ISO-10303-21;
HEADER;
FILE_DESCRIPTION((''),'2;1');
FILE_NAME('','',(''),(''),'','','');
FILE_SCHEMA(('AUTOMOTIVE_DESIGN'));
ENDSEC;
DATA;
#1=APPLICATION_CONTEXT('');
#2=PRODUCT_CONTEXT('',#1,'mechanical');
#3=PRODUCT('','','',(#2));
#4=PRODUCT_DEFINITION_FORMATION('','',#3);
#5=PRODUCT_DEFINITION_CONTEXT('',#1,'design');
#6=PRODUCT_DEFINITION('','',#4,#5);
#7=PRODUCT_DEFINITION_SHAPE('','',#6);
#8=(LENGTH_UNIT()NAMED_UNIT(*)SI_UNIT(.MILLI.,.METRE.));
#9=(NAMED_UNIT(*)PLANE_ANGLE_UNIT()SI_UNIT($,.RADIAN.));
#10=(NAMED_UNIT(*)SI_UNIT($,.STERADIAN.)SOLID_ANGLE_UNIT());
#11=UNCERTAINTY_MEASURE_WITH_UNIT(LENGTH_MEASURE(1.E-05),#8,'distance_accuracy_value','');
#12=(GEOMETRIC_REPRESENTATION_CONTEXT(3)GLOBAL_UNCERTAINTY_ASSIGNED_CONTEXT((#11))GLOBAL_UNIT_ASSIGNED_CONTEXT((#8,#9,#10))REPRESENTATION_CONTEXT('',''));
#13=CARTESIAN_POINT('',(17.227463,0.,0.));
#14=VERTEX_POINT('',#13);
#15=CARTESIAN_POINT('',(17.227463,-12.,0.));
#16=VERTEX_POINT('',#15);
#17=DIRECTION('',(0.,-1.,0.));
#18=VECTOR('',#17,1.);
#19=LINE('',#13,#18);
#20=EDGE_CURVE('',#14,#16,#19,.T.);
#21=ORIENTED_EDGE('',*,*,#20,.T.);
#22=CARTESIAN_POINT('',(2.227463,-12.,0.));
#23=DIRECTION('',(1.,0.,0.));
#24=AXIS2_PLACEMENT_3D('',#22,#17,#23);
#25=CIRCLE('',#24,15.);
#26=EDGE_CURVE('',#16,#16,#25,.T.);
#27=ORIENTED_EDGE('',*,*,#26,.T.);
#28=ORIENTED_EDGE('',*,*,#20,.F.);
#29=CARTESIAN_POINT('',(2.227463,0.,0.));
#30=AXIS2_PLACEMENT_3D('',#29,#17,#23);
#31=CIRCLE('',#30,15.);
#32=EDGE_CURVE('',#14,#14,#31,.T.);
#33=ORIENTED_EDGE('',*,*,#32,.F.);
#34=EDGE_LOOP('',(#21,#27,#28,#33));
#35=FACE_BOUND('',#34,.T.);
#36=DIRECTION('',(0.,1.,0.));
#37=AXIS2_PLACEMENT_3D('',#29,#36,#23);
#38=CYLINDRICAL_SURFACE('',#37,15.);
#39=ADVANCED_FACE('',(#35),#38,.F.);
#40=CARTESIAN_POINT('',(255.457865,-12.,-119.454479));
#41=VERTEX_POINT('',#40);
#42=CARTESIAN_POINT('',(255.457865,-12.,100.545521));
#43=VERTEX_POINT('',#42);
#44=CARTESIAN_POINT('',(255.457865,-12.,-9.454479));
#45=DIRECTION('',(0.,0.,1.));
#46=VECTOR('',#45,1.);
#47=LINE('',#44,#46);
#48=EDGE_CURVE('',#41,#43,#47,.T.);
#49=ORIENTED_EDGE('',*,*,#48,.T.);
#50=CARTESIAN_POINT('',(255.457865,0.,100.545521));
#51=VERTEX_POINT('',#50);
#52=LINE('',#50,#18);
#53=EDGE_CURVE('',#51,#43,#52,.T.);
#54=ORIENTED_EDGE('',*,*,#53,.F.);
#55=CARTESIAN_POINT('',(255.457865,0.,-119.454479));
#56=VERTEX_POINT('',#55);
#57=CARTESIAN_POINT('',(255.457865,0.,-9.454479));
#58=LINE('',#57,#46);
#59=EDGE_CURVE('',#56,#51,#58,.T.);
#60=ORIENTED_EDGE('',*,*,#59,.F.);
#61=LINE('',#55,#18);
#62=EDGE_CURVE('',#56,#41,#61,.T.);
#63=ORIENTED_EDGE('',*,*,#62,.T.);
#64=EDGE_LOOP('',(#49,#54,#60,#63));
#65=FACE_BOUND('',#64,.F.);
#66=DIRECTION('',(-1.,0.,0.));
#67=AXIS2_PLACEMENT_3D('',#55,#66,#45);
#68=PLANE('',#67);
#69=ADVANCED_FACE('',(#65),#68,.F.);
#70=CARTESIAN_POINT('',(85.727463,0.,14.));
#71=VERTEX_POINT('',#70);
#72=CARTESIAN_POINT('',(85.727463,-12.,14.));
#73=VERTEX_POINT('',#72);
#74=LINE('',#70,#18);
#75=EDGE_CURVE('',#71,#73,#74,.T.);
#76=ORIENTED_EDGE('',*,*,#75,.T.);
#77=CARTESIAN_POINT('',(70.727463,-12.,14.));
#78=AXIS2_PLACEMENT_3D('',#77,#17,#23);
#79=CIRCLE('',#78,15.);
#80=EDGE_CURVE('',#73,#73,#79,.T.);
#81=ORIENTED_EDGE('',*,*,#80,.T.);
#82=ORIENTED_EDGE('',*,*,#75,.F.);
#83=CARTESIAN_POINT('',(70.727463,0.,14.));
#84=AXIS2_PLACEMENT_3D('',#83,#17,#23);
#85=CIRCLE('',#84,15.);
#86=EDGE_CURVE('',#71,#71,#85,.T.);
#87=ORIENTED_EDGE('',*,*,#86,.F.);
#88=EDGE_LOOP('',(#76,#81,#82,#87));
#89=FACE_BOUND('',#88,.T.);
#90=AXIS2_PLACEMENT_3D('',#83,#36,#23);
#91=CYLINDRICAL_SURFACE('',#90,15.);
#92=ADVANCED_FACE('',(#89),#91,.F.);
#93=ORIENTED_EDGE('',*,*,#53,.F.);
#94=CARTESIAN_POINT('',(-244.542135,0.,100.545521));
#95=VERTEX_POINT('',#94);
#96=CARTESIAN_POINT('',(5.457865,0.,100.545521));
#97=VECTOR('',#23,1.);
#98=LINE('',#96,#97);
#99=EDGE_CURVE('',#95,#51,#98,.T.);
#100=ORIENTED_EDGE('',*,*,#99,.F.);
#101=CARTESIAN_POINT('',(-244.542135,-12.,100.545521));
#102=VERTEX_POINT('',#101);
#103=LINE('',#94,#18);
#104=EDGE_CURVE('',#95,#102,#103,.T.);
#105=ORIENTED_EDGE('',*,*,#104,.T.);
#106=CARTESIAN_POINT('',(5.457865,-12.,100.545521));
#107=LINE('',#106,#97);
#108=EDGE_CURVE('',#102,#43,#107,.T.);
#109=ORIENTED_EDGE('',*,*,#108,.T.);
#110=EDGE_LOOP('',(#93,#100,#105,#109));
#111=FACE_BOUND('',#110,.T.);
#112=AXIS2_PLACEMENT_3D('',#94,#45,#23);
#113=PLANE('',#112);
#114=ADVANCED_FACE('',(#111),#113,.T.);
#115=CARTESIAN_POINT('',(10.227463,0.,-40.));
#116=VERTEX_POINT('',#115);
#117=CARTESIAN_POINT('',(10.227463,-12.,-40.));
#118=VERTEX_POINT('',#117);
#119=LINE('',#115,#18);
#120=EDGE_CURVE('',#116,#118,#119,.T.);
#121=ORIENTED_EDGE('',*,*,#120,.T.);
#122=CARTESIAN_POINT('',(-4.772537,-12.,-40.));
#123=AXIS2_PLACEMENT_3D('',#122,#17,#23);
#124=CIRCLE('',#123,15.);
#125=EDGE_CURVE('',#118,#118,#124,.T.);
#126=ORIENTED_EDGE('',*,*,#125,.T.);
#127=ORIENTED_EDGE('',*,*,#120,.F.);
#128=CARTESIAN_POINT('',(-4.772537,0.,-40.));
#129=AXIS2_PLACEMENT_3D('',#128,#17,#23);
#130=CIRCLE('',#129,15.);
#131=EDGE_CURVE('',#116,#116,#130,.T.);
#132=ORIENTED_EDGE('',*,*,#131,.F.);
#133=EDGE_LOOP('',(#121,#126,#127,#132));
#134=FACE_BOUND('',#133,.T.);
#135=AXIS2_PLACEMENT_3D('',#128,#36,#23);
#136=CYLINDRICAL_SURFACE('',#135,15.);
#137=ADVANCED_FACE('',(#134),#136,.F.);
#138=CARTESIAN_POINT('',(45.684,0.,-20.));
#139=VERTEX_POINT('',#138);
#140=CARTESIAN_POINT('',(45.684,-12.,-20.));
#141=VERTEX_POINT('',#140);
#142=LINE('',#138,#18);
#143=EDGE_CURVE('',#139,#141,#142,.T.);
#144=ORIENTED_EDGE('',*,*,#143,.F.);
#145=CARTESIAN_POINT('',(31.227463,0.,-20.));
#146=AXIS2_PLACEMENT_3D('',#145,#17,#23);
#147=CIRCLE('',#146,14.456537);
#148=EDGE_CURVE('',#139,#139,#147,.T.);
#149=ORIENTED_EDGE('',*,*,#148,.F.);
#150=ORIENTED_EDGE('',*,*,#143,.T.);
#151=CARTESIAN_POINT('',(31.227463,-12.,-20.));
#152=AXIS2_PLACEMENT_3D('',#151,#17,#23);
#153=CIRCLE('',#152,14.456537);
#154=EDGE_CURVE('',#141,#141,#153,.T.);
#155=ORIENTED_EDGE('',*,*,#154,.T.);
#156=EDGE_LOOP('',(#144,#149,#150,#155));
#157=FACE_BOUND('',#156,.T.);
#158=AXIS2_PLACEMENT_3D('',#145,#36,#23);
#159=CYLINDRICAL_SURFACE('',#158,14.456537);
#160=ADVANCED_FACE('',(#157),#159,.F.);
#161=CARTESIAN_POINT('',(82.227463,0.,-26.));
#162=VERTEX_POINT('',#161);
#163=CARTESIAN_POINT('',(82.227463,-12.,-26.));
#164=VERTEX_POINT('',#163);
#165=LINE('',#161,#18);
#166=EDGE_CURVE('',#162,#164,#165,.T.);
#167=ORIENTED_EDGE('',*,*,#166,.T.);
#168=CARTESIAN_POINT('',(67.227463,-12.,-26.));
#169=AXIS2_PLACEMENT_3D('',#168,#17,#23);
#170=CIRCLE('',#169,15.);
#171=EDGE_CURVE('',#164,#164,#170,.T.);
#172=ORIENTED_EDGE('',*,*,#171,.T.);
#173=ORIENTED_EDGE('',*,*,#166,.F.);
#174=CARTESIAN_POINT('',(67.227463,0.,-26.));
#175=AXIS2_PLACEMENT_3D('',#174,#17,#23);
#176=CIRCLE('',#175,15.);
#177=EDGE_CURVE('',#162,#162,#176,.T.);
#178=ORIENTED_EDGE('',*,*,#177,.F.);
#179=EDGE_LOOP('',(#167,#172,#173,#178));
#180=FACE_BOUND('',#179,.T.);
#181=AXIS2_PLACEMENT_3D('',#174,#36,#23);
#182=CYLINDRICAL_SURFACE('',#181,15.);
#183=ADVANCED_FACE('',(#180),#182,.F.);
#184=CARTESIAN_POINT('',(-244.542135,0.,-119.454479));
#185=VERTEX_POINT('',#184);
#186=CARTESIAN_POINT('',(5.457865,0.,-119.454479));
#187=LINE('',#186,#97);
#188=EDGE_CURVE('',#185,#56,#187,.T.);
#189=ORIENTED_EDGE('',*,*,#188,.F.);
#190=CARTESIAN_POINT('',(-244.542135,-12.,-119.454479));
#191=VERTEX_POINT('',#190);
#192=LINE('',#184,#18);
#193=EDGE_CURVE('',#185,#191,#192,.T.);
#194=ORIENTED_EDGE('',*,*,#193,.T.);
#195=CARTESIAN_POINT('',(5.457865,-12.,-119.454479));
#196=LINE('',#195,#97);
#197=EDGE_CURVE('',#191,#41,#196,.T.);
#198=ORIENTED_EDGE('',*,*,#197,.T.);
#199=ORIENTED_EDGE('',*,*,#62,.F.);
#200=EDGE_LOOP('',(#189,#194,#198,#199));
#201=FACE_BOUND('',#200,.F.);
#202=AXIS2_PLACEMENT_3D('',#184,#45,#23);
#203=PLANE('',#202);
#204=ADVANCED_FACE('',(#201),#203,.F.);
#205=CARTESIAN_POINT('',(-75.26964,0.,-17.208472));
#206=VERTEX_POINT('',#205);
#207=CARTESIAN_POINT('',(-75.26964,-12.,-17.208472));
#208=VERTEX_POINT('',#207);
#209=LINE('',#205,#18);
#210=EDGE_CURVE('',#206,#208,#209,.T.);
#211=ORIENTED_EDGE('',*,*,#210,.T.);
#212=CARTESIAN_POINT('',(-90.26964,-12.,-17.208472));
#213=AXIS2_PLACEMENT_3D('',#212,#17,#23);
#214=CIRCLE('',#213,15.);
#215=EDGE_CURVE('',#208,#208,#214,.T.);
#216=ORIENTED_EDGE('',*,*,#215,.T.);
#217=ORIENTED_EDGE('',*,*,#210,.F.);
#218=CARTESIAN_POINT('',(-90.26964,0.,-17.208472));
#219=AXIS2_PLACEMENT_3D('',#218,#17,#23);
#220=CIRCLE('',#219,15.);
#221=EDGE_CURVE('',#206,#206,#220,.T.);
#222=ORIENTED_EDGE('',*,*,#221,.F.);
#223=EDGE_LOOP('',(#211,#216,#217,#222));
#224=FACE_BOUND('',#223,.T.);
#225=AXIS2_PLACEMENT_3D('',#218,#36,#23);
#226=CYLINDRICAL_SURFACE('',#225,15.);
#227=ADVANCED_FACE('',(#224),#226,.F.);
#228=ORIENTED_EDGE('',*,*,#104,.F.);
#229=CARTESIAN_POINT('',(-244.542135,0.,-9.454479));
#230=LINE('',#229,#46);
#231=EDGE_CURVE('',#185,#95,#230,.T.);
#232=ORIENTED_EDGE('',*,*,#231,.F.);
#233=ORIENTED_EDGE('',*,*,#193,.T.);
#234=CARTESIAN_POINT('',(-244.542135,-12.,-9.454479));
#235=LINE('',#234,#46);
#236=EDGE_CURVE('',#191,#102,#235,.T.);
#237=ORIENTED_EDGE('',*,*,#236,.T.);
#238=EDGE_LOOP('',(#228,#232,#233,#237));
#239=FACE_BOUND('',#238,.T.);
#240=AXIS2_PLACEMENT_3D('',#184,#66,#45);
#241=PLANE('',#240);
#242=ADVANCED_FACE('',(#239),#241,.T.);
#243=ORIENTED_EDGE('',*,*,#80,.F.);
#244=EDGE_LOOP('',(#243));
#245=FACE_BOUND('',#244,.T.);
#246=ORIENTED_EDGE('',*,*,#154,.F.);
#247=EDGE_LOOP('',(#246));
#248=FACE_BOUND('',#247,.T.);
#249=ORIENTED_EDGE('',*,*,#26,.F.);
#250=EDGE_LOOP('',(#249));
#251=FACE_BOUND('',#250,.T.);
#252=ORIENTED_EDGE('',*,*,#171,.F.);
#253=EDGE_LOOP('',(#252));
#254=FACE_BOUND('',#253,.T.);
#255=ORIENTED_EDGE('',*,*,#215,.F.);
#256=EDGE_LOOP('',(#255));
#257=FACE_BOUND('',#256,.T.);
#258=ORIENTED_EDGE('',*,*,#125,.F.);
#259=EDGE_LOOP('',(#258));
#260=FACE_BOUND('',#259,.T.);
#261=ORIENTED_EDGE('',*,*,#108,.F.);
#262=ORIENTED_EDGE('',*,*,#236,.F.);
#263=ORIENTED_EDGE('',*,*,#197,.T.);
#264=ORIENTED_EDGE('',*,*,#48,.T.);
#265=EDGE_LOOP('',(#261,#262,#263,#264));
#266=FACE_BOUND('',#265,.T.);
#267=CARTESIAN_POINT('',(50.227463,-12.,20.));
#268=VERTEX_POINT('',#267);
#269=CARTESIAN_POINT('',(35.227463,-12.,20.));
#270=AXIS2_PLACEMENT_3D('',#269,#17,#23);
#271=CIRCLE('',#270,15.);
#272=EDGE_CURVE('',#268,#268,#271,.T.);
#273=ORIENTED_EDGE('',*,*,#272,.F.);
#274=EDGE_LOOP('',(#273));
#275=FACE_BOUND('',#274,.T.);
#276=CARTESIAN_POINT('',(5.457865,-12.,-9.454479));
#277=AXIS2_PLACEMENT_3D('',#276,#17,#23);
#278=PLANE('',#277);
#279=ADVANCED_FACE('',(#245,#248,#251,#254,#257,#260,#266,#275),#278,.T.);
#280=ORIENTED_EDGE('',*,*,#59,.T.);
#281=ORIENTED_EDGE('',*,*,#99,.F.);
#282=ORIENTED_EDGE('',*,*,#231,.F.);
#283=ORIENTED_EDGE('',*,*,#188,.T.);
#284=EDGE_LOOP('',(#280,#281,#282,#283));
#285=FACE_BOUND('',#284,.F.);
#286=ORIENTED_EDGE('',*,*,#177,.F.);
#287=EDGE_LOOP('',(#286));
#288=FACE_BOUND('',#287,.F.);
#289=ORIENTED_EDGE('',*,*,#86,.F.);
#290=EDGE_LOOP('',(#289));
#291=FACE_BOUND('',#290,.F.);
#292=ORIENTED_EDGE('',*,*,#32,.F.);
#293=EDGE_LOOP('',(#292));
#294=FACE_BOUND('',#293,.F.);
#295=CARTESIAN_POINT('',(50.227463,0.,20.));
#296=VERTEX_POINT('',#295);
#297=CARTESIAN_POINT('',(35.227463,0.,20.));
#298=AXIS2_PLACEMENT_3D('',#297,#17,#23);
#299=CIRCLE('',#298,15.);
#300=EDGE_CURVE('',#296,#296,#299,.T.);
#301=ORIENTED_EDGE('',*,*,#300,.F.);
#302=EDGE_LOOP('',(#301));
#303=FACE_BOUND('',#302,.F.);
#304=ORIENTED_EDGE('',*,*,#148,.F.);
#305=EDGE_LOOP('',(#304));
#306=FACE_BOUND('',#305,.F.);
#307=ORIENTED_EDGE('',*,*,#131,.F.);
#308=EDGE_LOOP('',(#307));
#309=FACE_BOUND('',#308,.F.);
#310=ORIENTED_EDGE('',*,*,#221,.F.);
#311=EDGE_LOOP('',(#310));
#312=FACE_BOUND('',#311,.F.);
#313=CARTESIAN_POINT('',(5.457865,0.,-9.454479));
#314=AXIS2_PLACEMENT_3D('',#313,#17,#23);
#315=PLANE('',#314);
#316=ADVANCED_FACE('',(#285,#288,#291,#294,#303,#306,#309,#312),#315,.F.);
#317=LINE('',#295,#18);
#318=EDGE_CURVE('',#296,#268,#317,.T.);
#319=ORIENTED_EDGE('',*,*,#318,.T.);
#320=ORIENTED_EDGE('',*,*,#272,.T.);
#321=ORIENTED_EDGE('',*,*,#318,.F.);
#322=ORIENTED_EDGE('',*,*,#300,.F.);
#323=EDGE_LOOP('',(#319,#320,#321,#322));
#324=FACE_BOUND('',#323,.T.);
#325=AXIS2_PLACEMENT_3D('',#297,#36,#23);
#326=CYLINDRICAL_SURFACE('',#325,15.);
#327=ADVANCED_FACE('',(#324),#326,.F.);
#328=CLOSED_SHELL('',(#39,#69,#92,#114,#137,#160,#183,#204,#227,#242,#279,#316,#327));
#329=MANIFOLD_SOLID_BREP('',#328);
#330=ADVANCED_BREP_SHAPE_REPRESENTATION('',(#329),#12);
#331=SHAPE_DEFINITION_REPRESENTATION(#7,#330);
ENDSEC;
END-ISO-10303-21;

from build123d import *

# Parameters (mm, degrees)
F0_W     = 500
F0_H     = 220
F0_R     = 15
F0_R_2   = 14.456537
F1_DEPTH = 12


with BuildPart() as f1:
    # F0 (on Front) → F1 (new body)
    with BuildSketch(Plane.XZ):
        with Locations((5.457865, -9.454479)):
            Rectangle(F0_W, F0_H)
        with Locations((-4.772537, -40)):
            Circle(F0_R, mode=Mode.SUBTRACT)
        with Locations((-90.26964, -17.208472)):
            Circle(F0_R, mode=Mode.SUBTRACT)
        with Locations((67.227463, -26)):
            Circle(F0_R, mode=Mode.SUBTRACT)
        with Locations((31.227463, -20)):
            Circle(F0_R_2, mode=Mode.SUBTRACT)
        with Locations((2.227463, 0)):
            Circle(F0_R, mode=Mode.SUBTRACT)
        with Locations((70.727463, 14)):
            Circle(F0_R, mode=Mode.SUBTRACT)
        with Locations((35.227463, 20)):
            Circle(F0_R, mode=Mode.SUBTRACT)
    extrude(amount=F1_DEPTH)


solid = f1.part
